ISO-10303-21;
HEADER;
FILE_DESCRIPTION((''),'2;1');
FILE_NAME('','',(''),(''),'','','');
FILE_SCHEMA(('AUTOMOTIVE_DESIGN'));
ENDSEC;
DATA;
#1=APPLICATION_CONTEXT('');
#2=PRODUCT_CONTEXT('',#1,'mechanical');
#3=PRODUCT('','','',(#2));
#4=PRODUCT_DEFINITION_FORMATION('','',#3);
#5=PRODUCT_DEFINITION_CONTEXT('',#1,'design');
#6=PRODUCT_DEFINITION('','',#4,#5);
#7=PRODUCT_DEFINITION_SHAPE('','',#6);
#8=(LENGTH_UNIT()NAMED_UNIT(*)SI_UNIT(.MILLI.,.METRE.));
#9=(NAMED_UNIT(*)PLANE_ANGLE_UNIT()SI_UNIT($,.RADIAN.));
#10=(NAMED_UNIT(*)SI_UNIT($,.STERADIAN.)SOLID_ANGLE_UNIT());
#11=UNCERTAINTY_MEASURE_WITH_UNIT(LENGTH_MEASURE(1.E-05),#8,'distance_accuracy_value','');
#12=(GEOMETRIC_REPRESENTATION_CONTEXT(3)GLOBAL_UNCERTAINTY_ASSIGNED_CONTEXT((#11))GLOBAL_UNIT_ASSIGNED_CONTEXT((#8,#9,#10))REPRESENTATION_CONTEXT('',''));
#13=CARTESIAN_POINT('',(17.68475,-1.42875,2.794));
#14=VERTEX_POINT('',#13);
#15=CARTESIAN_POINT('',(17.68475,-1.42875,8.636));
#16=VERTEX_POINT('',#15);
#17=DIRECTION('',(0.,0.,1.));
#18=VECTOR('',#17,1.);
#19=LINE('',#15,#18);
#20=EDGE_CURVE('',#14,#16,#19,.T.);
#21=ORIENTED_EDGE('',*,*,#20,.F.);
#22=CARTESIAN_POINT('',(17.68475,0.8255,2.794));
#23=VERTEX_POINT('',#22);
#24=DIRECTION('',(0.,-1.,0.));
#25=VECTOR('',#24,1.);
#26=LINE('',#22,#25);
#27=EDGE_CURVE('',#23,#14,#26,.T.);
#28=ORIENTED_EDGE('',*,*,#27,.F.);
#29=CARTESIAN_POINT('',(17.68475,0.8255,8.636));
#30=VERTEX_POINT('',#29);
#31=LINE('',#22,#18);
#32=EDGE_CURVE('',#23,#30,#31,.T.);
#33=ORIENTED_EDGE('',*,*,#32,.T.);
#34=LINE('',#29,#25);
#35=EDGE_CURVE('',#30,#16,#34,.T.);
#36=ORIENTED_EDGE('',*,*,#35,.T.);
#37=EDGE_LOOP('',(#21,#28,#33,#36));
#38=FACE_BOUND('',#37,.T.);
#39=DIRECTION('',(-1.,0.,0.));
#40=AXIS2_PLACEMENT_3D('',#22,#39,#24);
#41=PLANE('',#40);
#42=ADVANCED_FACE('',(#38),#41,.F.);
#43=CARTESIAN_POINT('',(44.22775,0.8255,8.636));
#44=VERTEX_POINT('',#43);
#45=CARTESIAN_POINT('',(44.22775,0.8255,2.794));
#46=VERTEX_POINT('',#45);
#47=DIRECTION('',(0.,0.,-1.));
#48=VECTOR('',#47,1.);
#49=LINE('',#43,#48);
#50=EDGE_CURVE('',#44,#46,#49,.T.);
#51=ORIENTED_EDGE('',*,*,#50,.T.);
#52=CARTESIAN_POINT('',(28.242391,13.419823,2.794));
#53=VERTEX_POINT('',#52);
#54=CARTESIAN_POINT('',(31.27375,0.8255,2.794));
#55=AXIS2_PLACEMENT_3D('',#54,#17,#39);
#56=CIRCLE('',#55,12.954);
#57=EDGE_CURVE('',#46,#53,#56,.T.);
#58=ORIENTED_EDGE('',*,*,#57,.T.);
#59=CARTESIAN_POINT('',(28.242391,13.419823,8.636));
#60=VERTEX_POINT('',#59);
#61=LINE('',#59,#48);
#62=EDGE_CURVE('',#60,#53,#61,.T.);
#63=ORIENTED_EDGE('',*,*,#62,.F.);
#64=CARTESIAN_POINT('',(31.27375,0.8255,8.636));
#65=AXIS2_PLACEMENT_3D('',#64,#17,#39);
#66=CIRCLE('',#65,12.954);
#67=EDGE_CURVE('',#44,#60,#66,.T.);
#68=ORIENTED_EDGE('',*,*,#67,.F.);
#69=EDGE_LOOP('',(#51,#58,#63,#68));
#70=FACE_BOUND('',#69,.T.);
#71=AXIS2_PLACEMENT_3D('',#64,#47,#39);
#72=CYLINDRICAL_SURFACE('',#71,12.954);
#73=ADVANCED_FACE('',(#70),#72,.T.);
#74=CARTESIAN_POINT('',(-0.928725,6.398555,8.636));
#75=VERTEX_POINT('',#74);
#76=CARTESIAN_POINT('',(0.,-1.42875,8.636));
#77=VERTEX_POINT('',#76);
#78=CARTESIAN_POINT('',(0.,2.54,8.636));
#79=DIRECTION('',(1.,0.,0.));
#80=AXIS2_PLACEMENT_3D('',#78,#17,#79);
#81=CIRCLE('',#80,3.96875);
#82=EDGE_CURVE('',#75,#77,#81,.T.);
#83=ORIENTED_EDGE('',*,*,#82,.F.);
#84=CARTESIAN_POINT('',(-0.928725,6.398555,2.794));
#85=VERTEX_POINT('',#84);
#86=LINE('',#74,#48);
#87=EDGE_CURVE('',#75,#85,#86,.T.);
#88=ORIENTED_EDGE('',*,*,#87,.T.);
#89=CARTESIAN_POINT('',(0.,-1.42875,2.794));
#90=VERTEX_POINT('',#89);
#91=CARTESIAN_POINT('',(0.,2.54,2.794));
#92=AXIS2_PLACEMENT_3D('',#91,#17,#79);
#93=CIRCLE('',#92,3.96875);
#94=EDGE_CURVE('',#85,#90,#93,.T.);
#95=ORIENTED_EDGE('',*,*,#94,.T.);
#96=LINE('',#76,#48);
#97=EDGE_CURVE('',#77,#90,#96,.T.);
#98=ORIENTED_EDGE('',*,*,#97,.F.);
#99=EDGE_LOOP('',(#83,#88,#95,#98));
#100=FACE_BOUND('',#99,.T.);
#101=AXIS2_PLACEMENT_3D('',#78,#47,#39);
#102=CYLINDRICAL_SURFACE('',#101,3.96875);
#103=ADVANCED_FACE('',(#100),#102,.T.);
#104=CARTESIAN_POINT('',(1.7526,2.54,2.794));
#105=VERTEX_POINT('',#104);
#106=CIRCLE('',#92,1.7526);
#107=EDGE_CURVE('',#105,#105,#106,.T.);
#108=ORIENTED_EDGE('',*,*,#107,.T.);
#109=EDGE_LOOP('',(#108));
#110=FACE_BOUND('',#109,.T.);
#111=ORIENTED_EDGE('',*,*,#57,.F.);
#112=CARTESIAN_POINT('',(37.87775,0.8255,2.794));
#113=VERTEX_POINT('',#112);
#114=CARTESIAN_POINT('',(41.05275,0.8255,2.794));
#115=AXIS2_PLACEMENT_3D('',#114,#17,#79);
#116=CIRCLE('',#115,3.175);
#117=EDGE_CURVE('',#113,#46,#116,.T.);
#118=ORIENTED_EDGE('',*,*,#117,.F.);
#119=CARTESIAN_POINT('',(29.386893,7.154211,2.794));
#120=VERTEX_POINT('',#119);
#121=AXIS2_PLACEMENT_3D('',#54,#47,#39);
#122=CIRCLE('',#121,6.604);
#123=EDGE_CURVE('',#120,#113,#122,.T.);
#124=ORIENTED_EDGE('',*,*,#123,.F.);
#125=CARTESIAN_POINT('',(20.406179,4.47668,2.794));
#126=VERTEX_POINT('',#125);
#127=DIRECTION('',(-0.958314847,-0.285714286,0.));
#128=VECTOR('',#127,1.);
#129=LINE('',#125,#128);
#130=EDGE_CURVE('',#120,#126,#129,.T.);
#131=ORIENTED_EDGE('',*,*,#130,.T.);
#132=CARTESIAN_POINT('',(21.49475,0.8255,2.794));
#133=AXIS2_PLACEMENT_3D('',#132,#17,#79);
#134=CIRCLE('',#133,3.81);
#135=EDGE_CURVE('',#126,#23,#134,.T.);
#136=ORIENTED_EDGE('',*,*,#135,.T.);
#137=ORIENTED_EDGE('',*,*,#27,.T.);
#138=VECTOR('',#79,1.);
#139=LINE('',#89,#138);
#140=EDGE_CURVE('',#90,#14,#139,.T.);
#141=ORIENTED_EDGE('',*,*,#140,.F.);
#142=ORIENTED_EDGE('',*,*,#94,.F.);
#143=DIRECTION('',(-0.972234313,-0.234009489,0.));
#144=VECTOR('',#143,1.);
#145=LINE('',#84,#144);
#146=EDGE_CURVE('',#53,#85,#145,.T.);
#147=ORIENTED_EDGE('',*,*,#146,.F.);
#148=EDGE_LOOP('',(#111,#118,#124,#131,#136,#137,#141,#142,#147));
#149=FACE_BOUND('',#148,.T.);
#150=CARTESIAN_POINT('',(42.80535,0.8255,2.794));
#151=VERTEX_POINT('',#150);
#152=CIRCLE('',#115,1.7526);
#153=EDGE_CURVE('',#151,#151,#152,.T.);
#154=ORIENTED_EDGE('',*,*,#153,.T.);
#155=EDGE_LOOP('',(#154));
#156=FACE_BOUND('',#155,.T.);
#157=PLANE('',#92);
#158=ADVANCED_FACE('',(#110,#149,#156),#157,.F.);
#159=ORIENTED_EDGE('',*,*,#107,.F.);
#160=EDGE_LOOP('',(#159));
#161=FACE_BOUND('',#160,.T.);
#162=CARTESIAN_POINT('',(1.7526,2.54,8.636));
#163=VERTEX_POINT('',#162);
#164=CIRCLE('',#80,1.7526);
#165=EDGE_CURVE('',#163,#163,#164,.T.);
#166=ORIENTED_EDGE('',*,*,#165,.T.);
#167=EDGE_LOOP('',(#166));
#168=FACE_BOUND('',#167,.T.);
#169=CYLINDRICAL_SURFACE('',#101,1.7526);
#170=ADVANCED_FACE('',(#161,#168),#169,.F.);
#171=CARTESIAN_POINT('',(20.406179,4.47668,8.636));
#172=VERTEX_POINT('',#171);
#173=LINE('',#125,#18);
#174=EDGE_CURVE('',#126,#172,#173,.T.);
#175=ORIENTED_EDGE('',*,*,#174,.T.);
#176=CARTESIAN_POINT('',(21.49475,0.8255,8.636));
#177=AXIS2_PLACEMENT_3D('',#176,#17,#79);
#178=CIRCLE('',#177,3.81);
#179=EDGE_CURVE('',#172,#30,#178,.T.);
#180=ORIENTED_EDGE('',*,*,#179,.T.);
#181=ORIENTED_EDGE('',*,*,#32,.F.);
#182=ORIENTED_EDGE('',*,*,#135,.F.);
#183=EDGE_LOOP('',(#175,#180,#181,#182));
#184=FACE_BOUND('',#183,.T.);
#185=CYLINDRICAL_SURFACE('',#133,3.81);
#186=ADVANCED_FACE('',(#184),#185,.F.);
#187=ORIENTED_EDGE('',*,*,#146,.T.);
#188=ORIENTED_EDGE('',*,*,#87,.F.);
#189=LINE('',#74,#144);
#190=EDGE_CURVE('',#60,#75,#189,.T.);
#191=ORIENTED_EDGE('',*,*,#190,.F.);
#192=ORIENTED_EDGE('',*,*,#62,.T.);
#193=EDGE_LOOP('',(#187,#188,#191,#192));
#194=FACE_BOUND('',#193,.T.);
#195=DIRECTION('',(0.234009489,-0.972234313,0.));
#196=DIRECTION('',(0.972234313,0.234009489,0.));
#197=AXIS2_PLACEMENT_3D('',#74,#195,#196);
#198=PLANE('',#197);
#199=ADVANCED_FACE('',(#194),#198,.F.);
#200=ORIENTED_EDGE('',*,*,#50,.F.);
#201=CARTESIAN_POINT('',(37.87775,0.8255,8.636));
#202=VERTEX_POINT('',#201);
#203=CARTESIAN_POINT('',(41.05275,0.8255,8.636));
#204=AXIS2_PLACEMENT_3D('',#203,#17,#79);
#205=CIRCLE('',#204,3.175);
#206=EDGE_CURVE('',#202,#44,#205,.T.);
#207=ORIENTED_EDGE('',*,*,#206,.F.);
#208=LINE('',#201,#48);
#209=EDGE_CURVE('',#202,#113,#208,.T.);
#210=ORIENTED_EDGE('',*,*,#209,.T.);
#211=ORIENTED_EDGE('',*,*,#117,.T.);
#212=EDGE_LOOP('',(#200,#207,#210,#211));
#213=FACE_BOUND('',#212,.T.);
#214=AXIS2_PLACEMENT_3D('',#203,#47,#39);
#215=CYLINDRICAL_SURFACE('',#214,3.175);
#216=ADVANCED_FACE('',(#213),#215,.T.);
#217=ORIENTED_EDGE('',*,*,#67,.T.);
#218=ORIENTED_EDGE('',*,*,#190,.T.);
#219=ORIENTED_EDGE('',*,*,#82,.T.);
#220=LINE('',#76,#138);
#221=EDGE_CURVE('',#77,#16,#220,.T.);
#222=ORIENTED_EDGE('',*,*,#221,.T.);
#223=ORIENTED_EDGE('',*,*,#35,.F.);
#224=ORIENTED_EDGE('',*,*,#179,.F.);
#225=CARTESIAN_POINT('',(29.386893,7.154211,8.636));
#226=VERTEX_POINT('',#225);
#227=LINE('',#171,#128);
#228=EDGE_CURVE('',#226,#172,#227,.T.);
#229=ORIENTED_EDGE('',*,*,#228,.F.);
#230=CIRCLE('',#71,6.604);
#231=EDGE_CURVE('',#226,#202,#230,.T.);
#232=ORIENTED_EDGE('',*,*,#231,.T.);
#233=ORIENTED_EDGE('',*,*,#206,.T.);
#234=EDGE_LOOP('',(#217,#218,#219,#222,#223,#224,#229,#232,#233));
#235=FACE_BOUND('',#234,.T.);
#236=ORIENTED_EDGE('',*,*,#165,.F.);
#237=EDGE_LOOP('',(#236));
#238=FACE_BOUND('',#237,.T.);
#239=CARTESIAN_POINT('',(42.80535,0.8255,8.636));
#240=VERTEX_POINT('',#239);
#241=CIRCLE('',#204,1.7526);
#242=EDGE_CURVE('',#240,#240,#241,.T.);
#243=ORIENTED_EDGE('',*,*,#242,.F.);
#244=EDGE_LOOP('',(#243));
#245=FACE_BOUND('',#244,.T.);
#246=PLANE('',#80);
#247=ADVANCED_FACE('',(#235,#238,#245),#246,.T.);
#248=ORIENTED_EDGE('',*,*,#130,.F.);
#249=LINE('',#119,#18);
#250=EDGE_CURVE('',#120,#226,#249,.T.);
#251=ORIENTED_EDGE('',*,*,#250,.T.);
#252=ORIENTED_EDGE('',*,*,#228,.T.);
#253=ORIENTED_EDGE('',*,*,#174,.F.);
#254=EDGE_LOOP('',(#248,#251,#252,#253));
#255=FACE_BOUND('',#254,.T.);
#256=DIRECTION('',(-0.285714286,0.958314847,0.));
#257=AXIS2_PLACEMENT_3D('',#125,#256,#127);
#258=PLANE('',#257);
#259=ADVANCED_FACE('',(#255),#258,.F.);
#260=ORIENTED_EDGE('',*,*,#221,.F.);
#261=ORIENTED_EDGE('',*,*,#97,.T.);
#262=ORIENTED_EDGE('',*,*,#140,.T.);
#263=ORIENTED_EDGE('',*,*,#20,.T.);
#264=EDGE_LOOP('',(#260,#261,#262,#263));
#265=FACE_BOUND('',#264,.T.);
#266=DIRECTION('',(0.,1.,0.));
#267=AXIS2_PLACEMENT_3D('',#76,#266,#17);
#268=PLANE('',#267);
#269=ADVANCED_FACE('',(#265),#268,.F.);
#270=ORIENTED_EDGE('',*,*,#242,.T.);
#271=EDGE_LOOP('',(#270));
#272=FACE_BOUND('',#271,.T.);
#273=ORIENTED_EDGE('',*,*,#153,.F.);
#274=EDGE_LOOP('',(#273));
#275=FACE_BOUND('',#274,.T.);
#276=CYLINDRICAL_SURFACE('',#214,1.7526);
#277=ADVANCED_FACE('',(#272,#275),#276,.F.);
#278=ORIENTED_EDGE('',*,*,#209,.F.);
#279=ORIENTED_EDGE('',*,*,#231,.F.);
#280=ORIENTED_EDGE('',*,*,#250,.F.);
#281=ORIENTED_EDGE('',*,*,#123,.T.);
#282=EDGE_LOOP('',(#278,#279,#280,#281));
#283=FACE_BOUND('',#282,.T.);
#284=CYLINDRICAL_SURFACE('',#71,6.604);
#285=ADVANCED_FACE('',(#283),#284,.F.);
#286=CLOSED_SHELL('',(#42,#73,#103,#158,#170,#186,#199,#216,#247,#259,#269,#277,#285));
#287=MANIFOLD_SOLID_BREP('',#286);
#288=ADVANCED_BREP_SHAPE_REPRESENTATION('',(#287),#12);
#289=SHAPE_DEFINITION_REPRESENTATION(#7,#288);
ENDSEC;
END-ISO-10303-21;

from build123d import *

# Parameters (mm, degrees)
SKETCH2_R           = 1.7526
BOSS_EXTRUDE1_DEPTH = 5.842
CUT_EXTRUDE1_DEPTH  = 47.691513729


with BuildPart() as part:
    # Sketch2 → Boss-Extrude1 (new body)
    with BuildSketch(Plane.XY.offset(2.794)):
        with BuildLine():
            Line((-0.928725161, 6.398554929), (28.242391074, 13.419823287))
            ThreePointArc((28.242391074, 13.419823287), (39.290541517, 11.000821605), (44.22775, 0.8255))
            ThreePointArc((44.22775, 0.8255), (41.05275, -2.3495), (37.87775, 0.8255))
            ThreePointArc((37.87775, 0.8255), (31.27375, 7.4295), (24.66975, 0.8255))
            Line((24.66975, 0.8255), (24.66975, -1.42875))
            Line((24.66975, -1.42875), (0, -1.42875))
            ThreePointArc((0, -1.42875), (-3.941104949, 2.072380128), (-0.928725161, 6.398554929))
        make_face()
        with Locations((0, 2.54)):
            Circle(SKETCH2_R, mode=Mode.SUBTRACT)
        with Locations((41.05275, 0.8255)):
            Circle(SKETCH2_R, mode=Mode.SUBTRACT)
    extrude(amount=BOSS_EXTRUDE1_DEPTH)

    # Sketch3 → Cut-Extrude1 (cut, through all)
    with BuildSketch(Plane.XY.offset(8.636)):
        with BuildLine():
            Line((37.87775, -10.052724244), (37.87775, 0.8255))
            ThreePointArc((37.87775, 0.8255), (35.220394868, 6.120479725), (29.386892857, 7.154211253))
            Line((29.386892857, 7.154211253), (20.406178571, 4.476679569))
            ThreePointArc((20.406178571, 4.476679569), (18.439954005, 3.102410501), (17.68475, 0.8255))
            Line((17.68475, 0.8255), (17.68475, -10.052724244))
            Line((17.68475, -10.052724244), (37.87775, -10.052724244))
        make_face()
    extrude(amount=-CUT_EXTRUDE1_DEPTH, mode=Mode.SUBTRACT)


solid = part.part
